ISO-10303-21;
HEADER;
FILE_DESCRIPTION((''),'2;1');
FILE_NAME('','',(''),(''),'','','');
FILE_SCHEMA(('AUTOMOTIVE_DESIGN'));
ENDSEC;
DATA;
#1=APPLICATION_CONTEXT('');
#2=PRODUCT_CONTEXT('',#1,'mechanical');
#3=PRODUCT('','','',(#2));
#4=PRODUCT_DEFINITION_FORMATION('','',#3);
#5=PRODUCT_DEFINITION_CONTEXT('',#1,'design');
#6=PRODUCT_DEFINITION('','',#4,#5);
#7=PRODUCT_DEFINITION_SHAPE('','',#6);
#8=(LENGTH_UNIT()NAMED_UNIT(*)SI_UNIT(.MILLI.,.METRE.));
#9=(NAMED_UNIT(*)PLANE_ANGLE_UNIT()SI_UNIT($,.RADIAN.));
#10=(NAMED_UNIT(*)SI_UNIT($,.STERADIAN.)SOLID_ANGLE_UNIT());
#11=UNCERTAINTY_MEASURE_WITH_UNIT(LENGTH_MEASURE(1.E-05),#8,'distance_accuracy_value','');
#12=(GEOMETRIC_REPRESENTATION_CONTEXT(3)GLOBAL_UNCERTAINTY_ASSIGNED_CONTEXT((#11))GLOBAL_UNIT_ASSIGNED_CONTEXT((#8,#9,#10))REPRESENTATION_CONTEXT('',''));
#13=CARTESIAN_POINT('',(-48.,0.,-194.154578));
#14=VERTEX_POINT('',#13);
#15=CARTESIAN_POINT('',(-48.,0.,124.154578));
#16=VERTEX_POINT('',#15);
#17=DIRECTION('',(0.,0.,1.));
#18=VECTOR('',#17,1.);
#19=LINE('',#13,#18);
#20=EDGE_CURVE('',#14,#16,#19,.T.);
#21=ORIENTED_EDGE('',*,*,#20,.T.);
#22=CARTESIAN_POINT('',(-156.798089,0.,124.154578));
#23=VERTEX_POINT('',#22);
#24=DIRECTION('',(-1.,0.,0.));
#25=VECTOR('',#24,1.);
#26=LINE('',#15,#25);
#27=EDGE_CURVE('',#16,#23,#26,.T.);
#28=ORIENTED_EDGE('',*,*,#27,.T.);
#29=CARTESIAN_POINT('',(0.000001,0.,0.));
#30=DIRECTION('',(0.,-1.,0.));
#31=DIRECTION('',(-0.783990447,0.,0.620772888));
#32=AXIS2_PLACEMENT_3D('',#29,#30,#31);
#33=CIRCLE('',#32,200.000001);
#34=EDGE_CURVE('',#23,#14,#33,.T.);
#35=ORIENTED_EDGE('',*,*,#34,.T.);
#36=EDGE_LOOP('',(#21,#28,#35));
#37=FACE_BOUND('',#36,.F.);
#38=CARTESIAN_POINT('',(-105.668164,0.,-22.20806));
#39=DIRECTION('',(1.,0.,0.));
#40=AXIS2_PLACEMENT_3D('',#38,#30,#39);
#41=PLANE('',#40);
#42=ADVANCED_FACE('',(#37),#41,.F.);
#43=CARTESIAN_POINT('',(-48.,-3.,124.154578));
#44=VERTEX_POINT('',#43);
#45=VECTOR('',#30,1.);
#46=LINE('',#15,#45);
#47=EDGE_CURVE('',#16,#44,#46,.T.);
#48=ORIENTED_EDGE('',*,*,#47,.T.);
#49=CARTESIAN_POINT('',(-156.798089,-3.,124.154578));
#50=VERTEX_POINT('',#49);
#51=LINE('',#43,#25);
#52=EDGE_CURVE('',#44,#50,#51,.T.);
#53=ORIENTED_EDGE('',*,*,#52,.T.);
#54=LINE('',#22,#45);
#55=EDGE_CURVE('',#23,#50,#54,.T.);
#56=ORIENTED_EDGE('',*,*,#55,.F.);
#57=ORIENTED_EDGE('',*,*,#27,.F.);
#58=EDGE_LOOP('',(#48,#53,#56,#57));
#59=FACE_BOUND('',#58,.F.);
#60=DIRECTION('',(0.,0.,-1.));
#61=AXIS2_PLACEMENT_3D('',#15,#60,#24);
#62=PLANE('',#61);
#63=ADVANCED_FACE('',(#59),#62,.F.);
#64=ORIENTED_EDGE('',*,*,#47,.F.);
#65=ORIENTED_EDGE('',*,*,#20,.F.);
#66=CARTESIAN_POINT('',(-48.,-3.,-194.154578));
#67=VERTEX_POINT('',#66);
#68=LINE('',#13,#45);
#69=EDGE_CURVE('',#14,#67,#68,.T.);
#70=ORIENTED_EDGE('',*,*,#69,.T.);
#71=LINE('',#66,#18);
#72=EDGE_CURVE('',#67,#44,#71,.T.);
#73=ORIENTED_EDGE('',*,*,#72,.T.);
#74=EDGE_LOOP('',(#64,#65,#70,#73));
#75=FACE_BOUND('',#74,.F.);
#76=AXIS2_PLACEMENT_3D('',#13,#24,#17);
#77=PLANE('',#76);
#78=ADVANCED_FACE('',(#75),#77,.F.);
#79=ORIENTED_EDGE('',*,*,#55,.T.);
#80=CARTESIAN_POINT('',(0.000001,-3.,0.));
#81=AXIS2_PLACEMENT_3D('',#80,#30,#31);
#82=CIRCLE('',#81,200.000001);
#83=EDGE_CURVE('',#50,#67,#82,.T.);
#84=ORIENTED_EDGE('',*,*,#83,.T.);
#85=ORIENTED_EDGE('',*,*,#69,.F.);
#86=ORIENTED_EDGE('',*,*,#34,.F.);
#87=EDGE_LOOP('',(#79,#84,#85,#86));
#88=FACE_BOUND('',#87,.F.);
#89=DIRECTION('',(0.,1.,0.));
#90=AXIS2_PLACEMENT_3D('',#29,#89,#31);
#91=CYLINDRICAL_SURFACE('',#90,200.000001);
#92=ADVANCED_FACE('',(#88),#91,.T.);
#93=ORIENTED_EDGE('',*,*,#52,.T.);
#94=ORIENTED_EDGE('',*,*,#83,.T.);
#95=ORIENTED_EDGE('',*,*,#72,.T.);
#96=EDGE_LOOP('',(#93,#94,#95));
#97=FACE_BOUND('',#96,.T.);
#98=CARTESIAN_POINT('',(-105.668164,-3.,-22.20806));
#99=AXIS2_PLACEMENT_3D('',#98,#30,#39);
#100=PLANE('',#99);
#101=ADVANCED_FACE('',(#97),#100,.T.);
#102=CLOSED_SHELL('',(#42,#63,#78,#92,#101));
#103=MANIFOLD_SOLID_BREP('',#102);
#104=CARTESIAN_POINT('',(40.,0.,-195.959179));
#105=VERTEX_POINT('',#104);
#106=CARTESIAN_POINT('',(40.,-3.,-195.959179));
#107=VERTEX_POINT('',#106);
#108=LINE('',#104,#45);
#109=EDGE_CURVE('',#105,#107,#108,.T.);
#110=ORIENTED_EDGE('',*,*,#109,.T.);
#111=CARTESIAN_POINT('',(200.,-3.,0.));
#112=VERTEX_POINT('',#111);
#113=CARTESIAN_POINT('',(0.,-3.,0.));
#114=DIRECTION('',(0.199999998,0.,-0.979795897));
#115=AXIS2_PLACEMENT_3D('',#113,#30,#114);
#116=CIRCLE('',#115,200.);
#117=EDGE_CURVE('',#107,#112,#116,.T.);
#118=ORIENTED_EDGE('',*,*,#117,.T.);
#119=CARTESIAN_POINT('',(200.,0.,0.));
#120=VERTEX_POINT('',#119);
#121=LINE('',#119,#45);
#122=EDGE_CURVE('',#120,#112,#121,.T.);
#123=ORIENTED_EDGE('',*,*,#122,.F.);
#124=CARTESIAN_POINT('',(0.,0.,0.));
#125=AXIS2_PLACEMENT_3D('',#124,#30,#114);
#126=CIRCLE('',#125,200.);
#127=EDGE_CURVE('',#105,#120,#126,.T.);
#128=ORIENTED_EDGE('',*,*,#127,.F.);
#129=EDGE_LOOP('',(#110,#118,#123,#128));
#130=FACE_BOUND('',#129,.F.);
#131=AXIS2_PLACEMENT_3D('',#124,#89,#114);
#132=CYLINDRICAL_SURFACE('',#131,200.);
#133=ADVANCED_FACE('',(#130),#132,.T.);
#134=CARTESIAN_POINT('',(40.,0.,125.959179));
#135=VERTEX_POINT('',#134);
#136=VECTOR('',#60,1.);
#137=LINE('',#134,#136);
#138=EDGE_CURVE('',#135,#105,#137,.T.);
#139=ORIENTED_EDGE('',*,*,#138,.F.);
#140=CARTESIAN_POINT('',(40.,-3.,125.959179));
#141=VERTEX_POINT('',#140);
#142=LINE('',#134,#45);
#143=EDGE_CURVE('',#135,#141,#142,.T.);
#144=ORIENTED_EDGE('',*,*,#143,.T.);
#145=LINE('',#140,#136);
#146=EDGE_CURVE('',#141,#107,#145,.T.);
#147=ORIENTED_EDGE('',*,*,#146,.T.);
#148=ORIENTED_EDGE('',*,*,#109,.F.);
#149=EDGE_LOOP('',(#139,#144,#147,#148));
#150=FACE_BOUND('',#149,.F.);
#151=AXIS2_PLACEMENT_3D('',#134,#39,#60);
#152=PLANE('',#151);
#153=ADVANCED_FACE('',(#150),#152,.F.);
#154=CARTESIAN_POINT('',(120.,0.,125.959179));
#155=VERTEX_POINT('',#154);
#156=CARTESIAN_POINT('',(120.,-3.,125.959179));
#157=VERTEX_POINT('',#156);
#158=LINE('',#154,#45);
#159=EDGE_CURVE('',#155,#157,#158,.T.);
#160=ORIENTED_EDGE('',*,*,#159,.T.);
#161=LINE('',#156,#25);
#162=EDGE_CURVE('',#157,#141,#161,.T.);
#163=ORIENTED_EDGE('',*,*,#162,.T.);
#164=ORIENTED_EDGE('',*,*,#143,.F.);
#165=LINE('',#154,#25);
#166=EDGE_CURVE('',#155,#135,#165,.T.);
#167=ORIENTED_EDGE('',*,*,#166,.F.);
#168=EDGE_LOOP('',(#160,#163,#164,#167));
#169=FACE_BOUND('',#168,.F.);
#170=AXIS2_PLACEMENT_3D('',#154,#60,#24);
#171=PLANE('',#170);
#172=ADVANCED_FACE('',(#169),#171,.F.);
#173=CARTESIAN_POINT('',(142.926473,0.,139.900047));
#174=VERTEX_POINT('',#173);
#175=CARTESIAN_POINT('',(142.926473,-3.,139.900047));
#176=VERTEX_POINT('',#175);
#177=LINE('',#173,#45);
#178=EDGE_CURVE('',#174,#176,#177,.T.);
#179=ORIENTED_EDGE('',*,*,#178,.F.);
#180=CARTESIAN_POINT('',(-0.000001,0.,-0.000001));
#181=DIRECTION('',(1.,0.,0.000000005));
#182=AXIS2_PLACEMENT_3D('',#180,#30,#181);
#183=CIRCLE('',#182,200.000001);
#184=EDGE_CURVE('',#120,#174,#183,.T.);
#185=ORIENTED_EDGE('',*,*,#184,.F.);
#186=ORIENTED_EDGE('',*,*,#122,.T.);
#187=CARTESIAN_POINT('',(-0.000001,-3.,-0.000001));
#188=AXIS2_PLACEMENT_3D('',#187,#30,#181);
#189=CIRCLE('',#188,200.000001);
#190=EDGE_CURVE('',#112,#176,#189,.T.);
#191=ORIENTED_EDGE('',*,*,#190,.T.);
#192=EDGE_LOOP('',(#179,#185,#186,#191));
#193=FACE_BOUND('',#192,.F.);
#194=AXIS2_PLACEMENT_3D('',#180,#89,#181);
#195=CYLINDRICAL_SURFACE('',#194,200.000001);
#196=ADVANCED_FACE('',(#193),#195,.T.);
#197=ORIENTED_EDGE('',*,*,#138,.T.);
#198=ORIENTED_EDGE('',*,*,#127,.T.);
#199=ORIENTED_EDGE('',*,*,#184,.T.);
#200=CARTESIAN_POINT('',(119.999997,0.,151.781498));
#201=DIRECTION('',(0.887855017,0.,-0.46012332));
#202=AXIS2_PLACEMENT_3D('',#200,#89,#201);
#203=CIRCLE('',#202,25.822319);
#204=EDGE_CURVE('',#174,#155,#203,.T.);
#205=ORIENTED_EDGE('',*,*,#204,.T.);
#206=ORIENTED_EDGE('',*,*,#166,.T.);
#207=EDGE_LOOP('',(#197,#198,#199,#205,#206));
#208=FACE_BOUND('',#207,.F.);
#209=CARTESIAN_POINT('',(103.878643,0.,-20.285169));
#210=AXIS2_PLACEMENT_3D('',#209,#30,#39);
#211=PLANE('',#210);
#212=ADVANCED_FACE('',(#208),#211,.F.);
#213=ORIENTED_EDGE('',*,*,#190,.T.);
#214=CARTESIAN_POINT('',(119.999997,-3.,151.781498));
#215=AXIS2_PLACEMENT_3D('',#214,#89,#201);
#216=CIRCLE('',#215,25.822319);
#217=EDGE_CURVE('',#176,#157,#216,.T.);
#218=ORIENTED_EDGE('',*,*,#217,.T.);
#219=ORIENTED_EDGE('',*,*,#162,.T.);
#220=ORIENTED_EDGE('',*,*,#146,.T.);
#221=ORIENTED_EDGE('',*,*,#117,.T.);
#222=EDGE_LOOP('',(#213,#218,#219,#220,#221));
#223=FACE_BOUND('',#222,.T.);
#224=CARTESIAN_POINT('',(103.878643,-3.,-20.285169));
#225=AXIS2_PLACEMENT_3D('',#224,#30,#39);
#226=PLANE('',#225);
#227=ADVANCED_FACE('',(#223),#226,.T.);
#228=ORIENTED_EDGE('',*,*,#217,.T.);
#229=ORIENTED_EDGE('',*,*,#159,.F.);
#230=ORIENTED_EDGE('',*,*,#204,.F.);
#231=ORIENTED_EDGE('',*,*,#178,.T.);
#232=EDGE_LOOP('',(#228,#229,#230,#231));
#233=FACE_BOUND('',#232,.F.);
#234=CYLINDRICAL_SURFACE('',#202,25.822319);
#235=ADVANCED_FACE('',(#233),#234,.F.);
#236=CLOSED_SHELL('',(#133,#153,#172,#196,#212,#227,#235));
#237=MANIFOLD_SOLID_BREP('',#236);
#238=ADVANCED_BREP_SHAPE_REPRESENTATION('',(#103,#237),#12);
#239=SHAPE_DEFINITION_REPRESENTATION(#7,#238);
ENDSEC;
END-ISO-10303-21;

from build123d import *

# Parameters (mm, degrees)
F1_DEPTH = 3
F2_DEPTH = 3


with BuildPart() as f1:
    # F0 (on Front) → F1 (new body)
    with BuildSketch(Plane.XZ):
        with BuildLine():
            ThreePointArc((40, -195.959179), (154.919334, -126.491106), (200, 0))
            ThreePointArc((200, 0), (185.18274, 75.547023), (142.926473, 139.900047))
            ThreePointArc((142.926473, 139.900047), (133.416137, 129.717968), (120, 125.959179))
            Line((120, 125.959179), (40, 125.959179))
            Line((40, 125.959179), (40, 0))
            Line((40, 0), (40, -195.959179))
        make_face()
    extrude(amount=F1_DEPTH)


with BuildPart() as f2:
    # F0 (on Front) → F2 (new body)
    with BuildSketch(Plane.XZ):
        with BuildLine():
            ThreePointArc((-156.798089, 124.154578), (-189.250479, -64.685826), (-48, -194.154578))
            Line((-48, -194.154578), (-48, 0))
            Line((-48, 0), (-48, 124.154578))
            Line((-48, 124.154578), (-156.798089, 124.154578))
        make_face()
    extrude(amount=F2_DEPTH)


solid = Compound([f1.part, f2.part])
